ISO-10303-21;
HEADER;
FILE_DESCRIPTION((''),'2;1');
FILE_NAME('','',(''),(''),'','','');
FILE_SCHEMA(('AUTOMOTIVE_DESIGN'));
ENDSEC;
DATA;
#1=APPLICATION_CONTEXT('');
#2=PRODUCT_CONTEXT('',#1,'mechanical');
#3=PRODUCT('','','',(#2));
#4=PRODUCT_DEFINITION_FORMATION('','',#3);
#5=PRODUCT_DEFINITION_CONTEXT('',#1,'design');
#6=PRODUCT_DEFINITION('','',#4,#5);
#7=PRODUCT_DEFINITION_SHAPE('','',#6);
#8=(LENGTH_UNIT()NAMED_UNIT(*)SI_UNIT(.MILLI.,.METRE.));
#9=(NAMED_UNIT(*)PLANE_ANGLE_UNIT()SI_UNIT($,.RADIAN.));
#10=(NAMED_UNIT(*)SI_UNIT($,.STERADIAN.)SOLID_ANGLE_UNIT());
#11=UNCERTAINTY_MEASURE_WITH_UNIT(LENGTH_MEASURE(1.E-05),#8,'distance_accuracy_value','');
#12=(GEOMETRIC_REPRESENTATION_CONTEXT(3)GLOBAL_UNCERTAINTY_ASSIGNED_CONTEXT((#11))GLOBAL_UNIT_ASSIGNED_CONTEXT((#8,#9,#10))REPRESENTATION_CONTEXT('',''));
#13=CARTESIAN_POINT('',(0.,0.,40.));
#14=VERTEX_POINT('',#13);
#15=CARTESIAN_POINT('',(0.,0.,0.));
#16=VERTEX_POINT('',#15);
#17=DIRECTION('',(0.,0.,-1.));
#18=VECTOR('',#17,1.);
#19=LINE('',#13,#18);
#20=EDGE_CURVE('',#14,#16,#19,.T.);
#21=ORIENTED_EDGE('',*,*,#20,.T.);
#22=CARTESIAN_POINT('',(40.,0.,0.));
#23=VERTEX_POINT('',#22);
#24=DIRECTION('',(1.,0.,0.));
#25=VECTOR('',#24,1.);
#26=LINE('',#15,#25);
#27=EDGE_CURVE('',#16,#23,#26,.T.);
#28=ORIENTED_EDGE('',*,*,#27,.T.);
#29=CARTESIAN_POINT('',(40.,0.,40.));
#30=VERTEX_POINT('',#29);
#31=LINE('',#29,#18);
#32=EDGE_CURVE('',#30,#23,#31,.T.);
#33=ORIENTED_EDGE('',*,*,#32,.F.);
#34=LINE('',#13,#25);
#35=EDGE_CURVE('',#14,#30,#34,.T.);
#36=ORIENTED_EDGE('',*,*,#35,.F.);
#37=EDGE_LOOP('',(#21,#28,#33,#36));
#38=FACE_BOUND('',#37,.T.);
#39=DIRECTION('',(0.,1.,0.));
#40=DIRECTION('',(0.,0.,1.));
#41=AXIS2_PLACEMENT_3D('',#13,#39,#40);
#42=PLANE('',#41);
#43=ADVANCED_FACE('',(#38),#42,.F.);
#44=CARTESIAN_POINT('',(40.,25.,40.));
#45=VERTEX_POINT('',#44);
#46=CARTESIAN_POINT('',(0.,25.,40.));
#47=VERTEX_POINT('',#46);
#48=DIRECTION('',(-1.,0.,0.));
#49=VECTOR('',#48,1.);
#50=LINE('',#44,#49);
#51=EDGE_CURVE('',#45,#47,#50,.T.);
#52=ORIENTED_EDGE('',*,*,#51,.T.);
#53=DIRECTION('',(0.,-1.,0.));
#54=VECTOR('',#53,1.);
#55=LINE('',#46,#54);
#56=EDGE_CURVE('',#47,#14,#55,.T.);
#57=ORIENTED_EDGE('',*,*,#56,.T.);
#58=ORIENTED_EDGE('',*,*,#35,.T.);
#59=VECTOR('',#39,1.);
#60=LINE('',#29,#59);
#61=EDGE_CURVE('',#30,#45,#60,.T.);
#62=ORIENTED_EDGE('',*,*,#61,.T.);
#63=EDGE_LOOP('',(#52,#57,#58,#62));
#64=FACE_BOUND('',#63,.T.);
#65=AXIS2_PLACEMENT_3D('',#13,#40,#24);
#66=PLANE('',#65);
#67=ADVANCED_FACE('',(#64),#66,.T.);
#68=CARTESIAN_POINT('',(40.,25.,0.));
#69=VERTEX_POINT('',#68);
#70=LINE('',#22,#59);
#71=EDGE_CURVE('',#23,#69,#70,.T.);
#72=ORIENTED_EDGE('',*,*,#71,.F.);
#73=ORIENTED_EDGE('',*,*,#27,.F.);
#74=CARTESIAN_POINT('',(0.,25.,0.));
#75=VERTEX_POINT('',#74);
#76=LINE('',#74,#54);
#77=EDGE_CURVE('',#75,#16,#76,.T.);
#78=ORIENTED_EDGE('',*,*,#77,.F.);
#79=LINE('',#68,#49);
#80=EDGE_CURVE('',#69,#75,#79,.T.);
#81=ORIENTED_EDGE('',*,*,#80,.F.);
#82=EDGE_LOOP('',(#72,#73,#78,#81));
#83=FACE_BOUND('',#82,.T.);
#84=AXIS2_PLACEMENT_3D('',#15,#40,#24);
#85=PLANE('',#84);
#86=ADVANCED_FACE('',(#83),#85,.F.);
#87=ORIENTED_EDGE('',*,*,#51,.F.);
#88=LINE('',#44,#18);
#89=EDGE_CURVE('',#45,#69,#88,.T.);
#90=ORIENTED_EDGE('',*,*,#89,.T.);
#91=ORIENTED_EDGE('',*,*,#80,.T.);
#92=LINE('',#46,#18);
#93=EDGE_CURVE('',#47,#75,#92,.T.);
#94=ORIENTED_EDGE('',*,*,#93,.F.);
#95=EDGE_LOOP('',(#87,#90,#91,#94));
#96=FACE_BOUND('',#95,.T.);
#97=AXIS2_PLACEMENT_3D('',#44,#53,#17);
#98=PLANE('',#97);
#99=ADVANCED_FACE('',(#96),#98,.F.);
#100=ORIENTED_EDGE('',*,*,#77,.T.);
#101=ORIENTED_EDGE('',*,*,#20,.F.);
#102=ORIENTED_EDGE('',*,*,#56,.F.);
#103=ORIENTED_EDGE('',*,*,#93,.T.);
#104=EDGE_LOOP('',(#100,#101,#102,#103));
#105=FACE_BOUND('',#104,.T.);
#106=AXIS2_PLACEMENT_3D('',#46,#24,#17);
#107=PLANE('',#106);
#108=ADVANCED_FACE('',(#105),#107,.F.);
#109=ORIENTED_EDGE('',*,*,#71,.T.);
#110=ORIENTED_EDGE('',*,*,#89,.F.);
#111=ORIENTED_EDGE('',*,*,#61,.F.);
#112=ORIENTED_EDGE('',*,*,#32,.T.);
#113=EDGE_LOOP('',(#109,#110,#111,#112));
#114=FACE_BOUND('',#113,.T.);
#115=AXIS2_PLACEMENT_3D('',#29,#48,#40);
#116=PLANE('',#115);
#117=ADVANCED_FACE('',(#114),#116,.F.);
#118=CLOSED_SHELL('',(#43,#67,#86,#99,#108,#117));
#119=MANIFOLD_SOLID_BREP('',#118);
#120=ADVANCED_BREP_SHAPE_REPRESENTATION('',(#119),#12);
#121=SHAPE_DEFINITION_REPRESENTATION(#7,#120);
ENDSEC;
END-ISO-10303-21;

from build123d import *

# Parameters (mm, degrees)
SKETCH_1_W          = 40
SKETCH_1_H          = 25
CAMERA_MODULE_DEPTH = 40


with BuildPart() as part:
    # 草图1 → Camera_Module (new body)
    with BuildSketch(Plane.XY):
        with Locations((20, 12.5)):
            Rectangle(SKETCH_1_W, SKETCH_1_H)
    extrude(amount=CAMERA_MODULE_DEPTH)


solid = part.part
